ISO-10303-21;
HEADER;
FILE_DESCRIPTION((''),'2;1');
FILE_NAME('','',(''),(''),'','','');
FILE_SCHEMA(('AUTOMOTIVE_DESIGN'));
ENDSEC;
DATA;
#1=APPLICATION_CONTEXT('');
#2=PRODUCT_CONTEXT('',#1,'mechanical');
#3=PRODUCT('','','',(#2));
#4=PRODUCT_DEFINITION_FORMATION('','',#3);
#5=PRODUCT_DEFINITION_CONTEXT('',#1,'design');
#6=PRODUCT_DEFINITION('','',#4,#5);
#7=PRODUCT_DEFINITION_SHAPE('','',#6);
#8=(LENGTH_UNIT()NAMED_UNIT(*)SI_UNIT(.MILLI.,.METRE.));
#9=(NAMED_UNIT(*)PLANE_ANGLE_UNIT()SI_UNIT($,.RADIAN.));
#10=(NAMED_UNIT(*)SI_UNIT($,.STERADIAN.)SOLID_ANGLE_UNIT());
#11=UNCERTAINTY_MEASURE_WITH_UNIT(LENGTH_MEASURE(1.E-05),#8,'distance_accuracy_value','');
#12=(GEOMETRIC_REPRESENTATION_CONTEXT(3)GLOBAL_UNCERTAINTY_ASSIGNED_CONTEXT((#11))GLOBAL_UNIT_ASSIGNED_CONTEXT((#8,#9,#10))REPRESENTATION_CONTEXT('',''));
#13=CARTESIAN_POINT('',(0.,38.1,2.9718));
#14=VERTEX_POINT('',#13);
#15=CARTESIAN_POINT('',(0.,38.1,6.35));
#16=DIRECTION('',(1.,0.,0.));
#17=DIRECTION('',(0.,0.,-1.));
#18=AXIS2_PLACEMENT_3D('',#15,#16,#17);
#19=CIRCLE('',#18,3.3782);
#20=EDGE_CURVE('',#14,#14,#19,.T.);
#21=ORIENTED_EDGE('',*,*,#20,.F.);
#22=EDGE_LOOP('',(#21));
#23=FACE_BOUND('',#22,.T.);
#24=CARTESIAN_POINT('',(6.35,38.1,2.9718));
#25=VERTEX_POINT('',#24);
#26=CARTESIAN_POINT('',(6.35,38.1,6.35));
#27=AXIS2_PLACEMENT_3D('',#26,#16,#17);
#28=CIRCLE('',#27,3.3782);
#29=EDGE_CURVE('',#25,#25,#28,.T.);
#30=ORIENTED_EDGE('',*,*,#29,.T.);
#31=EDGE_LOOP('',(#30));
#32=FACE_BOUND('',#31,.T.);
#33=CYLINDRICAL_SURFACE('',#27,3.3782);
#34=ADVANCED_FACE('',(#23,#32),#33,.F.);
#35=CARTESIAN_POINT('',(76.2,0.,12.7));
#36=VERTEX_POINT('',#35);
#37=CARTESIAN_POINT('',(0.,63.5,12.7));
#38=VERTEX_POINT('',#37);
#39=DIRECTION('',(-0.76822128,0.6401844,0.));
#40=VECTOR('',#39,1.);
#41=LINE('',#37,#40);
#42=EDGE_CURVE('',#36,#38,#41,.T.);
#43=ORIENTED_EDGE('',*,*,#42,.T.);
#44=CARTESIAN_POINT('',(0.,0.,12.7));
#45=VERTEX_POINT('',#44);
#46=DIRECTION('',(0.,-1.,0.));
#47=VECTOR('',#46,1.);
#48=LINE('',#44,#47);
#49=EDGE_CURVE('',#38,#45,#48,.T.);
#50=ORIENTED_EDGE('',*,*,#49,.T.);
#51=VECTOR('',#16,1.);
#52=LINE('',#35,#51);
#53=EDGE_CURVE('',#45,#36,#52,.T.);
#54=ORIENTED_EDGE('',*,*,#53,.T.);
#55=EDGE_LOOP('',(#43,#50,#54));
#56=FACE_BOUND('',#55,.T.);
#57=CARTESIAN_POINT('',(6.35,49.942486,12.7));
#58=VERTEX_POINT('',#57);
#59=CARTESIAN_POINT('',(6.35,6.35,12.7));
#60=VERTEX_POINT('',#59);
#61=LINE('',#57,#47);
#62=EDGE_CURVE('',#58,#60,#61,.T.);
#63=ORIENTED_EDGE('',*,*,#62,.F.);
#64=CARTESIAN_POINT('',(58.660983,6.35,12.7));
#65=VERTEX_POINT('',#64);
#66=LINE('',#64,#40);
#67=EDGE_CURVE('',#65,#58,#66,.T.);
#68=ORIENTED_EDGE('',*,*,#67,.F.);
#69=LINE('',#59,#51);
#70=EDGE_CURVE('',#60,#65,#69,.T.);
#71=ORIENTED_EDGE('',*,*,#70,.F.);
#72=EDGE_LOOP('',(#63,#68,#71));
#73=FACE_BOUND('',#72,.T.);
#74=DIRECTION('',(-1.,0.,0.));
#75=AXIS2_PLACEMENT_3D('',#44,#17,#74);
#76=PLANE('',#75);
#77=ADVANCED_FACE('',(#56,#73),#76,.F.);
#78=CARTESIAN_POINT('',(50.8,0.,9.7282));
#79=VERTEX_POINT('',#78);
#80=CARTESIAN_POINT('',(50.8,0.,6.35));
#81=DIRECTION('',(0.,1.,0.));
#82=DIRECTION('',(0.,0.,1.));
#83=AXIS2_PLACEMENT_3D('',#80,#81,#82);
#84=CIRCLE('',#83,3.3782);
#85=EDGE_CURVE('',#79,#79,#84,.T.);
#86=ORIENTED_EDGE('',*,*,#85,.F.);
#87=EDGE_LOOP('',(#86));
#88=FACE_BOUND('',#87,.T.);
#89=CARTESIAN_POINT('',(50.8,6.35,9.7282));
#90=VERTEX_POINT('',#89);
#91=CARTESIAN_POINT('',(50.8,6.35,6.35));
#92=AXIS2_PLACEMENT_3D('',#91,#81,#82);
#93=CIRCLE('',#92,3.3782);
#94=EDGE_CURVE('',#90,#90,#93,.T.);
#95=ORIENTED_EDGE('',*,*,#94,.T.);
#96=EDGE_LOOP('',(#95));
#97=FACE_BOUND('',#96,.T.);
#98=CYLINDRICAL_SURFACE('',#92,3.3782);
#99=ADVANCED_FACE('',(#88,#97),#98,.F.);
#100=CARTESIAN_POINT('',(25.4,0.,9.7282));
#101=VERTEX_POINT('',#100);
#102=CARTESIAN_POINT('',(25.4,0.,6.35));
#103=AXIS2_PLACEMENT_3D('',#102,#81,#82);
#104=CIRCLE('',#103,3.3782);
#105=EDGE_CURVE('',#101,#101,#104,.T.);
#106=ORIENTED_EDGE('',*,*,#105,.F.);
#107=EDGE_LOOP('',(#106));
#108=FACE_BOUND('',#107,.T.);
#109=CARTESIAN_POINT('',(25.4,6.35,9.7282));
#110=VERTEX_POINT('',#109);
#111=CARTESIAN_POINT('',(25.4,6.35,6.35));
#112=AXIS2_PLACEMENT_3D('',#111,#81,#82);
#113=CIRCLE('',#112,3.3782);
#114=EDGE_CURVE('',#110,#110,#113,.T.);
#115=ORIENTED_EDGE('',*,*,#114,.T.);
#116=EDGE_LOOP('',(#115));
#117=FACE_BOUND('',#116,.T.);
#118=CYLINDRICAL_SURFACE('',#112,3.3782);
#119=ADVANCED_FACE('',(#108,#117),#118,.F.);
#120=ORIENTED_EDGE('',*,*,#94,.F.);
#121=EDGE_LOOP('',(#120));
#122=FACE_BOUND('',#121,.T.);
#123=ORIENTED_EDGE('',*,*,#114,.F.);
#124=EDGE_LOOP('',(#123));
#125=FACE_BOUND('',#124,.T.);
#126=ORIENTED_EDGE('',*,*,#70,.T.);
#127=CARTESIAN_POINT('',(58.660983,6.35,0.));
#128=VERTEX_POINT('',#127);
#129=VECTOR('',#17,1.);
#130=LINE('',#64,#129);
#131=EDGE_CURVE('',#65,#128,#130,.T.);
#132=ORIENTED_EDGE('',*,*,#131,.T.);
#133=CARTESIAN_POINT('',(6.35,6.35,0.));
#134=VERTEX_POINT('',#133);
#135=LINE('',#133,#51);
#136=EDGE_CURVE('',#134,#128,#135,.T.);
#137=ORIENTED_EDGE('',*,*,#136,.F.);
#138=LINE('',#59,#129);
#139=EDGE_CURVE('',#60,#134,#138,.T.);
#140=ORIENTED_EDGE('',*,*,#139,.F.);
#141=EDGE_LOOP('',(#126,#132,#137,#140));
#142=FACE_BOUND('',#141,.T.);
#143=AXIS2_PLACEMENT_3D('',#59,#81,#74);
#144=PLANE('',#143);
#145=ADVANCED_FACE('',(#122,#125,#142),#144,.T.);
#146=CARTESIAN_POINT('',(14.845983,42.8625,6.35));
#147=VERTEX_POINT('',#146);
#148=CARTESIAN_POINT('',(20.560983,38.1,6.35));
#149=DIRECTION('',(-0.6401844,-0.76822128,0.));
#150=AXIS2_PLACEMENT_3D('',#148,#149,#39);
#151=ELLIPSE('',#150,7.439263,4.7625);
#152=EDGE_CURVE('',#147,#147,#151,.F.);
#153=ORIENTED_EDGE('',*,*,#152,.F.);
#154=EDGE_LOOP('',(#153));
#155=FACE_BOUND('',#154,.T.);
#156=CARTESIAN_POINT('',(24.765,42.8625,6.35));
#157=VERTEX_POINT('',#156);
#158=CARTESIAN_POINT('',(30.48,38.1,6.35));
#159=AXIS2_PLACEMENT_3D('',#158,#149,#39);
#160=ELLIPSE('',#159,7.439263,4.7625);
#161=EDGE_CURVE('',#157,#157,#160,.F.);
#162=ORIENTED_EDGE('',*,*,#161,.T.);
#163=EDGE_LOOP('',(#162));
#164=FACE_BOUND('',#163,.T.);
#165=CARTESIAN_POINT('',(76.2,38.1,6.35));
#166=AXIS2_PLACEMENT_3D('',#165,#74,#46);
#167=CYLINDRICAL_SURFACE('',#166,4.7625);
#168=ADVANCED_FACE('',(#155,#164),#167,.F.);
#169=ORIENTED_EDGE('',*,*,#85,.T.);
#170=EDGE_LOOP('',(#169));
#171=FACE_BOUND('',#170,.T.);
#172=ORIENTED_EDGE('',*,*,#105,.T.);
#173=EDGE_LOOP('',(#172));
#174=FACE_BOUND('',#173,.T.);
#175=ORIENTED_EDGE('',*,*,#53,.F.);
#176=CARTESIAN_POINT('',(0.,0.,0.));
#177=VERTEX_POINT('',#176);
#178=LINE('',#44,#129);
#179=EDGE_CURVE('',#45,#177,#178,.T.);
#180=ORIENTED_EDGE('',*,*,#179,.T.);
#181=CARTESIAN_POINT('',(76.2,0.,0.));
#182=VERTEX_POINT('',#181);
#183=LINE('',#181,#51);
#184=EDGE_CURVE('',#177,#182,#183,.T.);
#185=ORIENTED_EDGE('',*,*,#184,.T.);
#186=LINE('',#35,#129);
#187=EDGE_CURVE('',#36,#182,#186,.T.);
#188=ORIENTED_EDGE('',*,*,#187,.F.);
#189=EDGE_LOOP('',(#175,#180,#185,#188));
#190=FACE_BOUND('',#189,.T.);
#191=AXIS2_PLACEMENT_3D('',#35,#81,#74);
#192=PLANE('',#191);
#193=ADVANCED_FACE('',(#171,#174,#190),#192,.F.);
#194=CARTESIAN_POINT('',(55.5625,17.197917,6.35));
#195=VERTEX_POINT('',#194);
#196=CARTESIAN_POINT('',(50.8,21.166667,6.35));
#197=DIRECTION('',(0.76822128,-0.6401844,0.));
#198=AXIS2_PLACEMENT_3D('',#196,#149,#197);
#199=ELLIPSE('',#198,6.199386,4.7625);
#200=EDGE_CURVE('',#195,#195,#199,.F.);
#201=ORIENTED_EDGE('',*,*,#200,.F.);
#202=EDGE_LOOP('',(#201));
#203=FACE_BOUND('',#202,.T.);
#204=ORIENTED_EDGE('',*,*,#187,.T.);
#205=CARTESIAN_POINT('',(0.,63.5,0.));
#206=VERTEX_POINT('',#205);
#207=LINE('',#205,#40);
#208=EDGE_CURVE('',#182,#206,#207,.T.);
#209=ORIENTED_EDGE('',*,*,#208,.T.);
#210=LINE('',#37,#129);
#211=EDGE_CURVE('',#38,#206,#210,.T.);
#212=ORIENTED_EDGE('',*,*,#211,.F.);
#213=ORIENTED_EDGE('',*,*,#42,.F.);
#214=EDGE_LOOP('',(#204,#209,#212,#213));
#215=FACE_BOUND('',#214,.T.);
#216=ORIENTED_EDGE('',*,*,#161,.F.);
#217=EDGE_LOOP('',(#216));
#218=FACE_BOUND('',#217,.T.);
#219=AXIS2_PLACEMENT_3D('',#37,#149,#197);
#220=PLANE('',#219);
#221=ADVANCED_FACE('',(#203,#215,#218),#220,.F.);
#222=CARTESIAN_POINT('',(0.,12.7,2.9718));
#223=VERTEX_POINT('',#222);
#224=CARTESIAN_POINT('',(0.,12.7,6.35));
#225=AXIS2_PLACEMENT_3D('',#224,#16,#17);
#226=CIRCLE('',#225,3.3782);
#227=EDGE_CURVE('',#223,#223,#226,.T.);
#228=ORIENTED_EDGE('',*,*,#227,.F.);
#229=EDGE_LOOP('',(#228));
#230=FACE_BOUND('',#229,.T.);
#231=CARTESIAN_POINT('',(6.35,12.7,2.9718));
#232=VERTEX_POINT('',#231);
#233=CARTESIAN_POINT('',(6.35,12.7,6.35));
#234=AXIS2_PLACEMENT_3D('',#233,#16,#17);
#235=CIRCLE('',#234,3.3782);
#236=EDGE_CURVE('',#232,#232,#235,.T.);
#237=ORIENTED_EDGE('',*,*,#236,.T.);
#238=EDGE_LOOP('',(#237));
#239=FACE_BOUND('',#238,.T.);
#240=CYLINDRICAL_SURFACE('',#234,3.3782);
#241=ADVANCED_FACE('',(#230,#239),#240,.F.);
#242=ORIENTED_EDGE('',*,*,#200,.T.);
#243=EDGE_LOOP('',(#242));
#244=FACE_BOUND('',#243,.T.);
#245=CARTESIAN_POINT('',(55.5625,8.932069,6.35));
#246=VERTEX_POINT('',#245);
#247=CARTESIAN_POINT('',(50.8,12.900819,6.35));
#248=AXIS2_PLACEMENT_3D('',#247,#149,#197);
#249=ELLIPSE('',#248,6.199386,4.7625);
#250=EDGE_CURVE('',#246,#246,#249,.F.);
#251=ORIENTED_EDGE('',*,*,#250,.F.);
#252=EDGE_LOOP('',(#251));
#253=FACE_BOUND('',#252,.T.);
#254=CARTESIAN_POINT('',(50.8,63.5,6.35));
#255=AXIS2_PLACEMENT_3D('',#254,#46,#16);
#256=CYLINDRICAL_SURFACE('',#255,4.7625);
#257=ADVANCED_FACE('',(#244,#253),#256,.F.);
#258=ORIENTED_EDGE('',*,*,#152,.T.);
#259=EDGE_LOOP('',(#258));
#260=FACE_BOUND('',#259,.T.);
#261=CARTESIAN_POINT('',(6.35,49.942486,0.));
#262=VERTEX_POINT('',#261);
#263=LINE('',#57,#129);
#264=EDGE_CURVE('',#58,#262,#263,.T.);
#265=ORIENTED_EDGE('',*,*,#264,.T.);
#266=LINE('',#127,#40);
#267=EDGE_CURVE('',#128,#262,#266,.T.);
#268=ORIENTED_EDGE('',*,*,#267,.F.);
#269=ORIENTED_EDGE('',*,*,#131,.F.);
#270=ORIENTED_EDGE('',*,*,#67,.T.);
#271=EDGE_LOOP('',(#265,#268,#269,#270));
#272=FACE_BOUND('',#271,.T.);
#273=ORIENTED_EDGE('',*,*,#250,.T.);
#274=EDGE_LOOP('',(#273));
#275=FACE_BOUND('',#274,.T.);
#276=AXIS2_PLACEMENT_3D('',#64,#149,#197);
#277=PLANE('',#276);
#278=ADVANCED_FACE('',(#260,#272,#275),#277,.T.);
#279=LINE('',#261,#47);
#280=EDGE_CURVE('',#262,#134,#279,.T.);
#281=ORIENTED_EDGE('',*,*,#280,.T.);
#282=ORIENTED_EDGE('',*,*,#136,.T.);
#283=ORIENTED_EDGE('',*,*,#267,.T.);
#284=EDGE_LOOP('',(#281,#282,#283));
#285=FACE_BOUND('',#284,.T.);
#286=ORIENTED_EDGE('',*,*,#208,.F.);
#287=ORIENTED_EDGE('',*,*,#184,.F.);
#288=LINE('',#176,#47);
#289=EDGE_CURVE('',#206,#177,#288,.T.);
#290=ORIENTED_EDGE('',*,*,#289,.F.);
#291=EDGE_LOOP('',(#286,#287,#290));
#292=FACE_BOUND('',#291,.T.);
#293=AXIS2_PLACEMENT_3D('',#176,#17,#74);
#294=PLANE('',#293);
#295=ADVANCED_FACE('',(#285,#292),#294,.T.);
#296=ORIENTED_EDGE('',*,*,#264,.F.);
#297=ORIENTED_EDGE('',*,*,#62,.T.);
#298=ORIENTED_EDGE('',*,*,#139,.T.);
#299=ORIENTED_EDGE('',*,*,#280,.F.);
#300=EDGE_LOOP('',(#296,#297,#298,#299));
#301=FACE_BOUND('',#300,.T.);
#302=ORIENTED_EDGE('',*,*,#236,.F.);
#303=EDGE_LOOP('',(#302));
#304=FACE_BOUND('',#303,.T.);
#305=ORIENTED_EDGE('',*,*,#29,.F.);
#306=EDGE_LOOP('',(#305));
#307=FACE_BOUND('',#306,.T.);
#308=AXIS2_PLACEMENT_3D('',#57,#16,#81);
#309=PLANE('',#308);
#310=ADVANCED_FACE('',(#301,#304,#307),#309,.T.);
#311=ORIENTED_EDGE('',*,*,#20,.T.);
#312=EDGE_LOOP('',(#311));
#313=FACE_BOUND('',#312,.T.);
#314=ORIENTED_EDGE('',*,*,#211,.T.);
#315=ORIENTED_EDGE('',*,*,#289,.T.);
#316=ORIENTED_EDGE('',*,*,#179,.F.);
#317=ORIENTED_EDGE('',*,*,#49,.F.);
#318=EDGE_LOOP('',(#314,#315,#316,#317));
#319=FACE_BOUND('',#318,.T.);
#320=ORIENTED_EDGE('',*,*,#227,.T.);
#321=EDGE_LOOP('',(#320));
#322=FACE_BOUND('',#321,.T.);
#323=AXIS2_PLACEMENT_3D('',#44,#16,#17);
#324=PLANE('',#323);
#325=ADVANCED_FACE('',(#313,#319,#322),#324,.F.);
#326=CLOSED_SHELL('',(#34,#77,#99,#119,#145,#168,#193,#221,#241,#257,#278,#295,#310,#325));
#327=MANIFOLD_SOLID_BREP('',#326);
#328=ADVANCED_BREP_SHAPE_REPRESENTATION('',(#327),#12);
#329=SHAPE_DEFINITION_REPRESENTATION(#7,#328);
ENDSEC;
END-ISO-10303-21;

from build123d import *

# Parameters (mm, degrees)
BOSS_EXTRUDE1_DEPTH              = 12.7
F_1_4_CLEARANCE_HOLE1_D          = 6.7564
F_1_4_CLEARANCE_HOLE1_DEPTH      = 6.35
SKETCH4_W                        = 3.3782
SKETCH4_H                        = 6.35
F_1_4_CLEARANCE_HOLE2_AT_2_COUNT = 2
F_1_4_CLEARANCE_HOLE2_AT_2_PITCH = 25.4
SKETCH6_R                        = 4.7625
CUT_EXTRUDE1_DEPTH               = 70.85
SKETCH7_R                        = 4.7625
CUT_EXTRUDE2_DEPTH               = 58.15


with BuildPart() as part:
    # Sketch1 → Boss-Extrude1 (new body)
    with BuildSketch(Plane.XY):
        Polygon((0, 0), (0, 63.5), (76.2, 0), align=None)
        Polygon((6.35, 49.94248576), (6.35, 6.35), (58.660982912, 6.35), align=None, mode=Mode.SUBTRACT)
    extrude(amount=BOSS_EXTRUDE1_DEPTH)

    # 1/4 Clearance Hole1
    with Locations(Plane(origin=(6.35, 0, 0), x_dir=(0, 0, -1), z_dir=(1, 0, 0))):
        with Locations((-6.35, 12.7), (-6.35, 38.1)):
            Hole(F_1_4_CLEARANCE_HOLE1_D / 2, depth=F_1_4_CLEARANCE_HOLE1_DEPTH)

    # Sketch4 → 1/4 Clearance Hole2 (revolve, cut)
    with BuildSketch(Plane(origin=(25.4, 6.35, 6.35), x_dir=(0, 0, 1), z_dir=(1, 0, 0))):
        with Locations((1.6891, 3.175)):
            Rectangle(SKETCH4_W, SKETCH4_H)
    f_1_4_clearance_hole2 = revolve(axis=Axis((25.4, 12.7, 6.35), (0, -1, 0)), mode=Mode.SUBTRACT)

    # 1/4 Clearance Hole2 at 2: 1/4 Clearance Hole2 ×2
    with Locations(*[(i * F_1_4_CLEARANCE_HOLE2_AT_2_PITCH, 0, 0) for i in range(1, F_1_4_CLEARANCE_HOLE2_AT_2_COUNT)]):
        add(f_1_4_clearance_hole2, mode=Mode.SUBTRACT)

    # Sketch6 → Cut-Extrude1 (cut, through all)
    with BuildSketch(Plane(origin=(6.35, 0, 0), x_dir=(0, 0, -1), z_dir=(1, 0, 0))):
        with Locations((-6.35, 38.1)):
            Circle(SKETCH6_R)
    extrude(amount=CUT_EXTRUDE1_DEPTH, mode=Mode.SUBTRACT)

    # Sketch7 → Cut-Extrude2 (cut, through all)
    with BuildSketch(Plane(origin=(0, 6.35, 0), x_dir=(1, 0, 0), z_dir=(0, 1, 0))):
        with Locations((50.8, -6.35)):
            Circle(SKETCH7_R)
    extrude(amount=CUT_EXTRUDE2_DEPTH, mode=Mode.SUBTRACT)


solid = part.part
